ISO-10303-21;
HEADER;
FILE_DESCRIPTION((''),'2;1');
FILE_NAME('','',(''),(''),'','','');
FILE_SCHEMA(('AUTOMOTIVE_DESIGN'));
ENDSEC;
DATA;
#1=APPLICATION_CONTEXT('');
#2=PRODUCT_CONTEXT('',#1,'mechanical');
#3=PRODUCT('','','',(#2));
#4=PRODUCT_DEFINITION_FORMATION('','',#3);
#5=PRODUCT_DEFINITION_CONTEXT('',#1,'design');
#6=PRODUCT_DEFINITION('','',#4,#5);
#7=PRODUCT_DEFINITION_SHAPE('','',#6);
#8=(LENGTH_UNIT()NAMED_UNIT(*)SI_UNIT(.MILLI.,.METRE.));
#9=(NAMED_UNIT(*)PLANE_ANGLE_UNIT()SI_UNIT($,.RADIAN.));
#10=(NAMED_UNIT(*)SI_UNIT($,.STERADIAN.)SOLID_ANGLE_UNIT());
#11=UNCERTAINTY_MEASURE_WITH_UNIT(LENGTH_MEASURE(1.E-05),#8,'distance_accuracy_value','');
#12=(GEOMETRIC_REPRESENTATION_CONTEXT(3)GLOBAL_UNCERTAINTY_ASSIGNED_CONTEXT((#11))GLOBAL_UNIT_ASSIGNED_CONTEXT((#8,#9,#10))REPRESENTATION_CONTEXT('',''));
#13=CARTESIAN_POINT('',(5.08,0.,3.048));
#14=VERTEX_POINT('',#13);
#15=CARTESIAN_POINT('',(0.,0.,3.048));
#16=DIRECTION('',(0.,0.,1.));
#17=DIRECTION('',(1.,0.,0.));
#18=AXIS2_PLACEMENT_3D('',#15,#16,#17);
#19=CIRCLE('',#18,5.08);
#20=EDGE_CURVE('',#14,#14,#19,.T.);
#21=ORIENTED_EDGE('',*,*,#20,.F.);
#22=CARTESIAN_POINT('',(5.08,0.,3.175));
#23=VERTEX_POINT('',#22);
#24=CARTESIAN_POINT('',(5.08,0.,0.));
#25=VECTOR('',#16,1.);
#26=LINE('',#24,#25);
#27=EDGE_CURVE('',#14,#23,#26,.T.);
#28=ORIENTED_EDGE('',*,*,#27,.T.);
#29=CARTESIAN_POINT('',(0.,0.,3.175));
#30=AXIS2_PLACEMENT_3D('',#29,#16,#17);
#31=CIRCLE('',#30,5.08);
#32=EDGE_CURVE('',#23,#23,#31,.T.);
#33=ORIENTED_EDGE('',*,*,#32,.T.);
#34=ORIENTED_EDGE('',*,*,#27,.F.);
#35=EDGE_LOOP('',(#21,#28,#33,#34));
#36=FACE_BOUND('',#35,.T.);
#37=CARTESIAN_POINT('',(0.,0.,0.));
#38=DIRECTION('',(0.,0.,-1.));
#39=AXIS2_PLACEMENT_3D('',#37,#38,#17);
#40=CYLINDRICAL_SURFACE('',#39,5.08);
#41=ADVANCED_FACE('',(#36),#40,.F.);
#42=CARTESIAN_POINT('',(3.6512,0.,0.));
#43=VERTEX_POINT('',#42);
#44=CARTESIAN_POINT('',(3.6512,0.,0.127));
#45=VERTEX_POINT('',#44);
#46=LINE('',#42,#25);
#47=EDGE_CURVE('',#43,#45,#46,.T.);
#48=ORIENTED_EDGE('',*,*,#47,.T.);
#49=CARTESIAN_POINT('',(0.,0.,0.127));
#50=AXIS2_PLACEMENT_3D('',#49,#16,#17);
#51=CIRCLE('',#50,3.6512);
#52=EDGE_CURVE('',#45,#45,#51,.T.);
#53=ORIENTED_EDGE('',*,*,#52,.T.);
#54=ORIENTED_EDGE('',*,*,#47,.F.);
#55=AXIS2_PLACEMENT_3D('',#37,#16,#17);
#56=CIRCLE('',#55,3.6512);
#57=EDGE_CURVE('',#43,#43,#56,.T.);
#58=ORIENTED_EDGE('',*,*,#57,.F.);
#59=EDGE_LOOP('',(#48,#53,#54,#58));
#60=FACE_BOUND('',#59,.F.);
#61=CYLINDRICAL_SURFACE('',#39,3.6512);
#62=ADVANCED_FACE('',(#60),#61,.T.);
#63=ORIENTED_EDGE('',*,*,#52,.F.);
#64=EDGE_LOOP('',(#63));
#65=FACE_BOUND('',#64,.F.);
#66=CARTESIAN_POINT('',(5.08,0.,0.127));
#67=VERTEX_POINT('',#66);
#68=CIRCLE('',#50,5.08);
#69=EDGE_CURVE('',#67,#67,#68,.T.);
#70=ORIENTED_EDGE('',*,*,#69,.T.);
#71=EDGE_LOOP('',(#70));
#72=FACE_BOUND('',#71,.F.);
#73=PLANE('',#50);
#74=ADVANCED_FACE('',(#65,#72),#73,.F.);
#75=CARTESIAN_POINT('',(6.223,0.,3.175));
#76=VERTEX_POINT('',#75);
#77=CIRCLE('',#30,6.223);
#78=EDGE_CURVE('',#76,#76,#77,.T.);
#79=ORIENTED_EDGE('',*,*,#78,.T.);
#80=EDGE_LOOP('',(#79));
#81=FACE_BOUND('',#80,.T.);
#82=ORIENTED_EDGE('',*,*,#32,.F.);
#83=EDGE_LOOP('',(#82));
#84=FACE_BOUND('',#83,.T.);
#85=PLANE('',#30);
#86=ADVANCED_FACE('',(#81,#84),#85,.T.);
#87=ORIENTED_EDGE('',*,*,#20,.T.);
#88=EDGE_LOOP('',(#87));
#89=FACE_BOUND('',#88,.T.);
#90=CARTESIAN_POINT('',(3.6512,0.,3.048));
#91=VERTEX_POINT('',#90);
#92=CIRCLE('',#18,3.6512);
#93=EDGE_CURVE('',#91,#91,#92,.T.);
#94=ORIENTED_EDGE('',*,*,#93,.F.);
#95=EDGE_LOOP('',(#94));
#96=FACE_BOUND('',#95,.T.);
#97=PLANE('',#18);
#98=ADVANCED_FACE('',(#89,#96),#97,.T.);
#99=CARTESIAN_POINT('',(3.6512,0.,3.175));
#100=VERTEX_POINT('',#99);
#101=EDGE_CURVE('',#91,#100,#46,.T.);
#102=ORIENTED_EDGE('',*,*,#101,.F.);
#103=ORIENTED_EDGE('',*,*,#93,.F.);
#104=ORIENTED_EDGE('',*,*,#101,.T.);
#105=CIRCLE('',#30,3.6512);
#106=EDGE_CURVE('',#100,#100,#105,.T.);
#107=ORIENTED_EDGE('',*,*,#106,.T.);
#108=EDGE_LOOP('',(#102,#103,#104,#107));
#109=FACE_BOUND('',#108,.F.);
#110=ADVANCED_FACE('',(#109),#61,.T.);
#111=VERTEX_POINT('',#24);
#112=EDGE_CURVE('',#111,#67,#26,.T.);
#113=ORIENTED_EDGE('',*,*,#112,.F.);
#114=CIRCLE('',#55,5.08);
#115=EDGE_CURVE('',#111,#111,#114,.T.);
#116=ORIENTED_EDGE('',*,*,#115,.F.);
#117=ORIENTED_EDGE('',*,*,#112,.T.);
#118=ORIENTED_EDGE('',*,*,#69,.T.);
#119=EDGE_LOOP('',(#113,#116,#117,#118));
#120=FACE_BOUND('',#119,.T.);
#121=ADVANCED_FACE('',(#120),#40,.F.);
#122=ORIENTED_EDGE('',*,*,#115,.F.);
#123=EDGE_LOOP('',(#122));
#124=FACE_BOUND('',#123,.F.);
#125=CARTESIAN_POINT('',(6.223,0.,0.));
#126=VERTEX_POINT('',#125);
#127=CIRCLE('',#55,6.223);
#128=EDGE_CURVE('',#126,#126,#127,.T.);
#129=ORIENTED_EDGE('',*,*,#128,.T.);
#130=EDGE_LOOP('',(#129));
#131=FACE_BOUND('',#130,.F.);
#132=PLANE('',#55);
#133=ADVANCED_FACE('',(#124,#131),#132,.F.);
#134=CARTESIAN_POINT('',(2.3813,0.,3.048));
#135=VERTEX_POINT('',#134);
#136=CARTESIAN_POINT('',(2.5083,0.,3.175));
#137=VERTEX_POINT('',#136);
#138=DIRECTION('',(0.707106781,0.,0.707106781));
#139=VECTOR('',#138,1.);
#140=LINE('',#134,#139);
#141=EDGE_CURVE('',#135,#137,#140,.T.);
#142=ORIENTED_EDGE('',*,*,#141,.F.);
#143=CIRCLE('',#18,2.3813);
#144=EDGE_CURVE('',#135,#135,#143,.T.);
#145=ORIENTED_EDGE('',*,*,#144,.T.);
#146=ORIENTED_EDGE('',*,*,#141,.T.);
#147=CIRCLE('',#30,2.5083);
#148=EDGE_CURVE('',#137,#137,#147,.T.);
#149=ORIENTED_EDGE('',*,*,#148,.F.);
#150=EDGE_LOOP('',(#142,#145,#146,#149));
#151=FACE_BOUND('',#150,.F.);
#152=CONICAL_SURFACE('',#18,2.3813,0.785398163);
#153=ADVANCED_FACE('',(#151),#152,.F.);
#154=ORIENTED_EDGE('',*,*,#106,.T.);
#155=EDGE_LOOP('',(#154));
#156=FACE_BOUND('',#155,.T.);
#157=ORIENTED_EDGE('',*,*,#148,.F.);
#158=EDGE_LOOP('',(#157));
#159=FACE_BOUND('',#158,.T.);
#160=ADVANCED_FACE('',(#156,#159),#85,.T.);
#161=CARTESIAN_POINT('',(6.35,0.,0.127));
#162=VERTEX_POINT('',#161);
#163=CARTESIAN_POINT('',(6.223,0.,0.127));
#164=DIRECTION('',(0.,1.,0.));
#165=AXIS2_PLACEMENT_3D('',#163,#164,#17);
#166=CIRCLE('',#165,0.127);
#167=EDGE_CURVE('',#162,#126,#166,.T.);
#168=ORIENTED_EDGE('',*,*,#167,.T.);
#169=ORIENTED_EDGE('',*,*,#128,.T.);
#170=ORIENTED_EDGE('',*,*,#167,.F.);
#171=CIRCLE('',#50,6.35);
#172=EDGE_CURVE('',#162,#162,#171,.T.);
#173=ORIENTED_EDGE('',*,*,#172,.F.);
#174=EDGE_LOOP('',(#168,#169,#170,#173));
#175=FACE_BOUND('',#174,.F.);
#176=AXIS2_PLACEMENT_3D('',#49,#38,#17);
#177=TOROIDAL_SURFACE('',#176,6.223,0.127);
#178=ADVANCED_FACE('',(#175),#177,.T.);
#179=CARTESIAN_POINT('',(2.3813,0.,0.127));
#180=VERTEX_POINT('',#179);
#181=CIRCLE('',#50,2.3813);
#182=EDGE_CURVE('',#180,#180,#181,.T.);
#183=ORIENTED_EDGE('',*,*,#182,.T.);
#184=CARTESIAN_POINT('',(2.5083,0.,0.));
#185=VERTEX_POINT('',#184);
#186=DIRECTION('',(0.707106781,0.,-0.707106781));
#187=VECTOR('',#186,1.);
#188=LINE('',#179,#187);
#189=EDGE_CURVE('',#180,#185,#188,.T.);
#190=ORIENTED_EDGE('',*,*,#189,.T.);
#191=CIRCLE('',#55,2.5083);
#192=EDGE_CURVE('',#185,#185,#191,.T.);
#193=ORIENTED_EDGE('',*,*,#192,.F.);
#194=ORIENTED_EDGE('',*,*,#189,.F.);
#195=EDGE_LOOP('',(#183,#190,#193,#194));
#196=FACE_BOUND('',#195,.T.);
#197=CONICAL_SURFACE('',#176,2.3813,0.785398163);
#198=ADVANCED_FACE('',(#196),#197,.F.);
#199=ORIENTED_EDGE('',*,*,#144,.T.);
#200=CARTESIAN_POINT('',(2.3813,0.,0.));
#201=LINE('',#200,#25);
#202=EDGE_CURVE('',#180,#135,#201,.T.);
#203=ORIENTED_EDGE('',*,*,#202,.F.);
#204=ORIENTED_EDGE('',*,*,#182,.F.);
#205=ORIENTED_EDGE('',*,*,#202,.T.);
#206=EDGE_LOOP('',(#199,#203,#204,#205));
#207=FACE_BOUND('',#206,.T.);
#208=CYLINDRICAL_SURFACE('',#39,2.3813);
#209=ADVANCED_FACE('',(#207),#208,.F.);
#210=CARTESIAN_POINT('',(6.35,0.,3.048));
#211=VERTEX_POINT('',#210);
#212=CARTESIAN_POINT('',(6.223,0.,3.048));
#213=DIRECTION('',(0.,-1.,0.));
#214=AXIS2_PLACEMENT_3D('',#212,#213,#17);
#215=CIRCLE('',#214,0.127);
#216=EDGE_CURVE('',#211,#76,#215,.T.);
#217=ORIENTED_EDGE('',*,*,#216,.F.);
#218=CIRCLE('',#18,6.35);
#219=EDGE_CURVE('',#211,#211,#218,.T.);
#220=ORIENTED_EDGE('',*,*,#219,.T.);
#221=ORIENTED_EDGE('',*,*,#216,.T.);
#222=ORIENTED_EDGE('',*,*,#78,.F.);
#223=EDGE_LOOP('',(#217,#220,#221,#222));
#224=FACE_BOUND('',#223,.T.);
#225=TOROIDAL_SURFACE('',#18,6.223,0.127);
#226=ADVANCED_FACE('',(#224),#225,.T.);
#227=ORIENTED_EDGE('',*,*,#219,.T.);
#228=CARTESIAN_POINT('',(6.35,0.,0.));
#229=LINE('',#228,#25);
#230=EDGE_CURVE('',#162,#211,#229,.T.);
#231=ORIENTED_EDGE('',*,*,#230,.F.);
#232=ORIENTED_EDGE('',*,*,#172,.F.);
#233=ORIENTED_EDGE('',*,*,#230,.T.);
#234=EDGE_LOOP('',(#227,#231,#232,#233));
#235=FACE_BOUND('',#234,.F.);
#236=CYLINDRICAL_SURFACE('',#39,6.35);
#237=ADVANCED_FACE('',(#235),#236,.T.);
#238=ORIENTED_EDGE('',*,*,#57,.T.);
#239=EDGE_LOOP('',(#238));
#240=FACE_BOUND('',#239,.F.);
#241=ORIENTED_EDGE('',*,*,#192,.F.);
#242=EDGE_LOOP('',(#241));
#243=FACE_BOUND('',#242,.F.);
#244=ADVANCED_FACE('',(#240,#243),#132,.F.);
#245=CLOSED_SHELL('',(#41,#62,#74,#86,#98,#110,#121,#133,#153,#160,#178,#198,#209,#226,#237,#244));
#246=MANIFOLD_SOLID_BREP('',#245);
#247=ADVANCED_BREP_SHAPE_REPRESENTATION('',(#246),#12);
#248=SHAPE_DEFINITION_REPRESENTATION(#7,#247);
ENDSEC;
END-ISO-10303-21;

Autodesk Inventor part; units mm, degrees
ref_plane "YZ Plane" through (0, 0, 0) normal (1, 0, 0) x (0, 1, 0)
ref_plane "XZ Plane" through (0, 0, 0) normal (0, 1, 0) x (-1, 0, 0)
sketch "Sketch1" plane through (0, 0, 0) normal (0, 0, 1) x (1, 0, 0)
  circle A0 centre (0, 0) radius 2.3813
  circle A1 centre (0, 0) radius 6.35
  circle A2 centre (0, 0) radius 3.6512
  circle A3 centre (0, 0) radius 5.08
  dimension "d0" = 4.7625
  dimension "d1" = 12.7
  dimension "d2" = 1.27
  dimension "d3" = 1.27
extrude "Extrusion1" add sketch "Sketch1" along normal blind 3.175
fillet "Fillet1" radius 0.127 2 edges at (-6.35, 0, 3.175) (-6.35, 0, 0)
chamfer "Chamfer1" distance 0.127 angle 45 2 edges at (-2.3813, 0, 3.175) (-2.3813, 0, 0)
ref_plane "Work Plane1" through (0, 0, 1.5875) normal (0, 0, 1) x (1, 0, 0)
sketch "Sketch2" plane through (0, 0, 1.5875) normal (0, 0, 1) x (1, 0, 0)
  circle A0 centre (0, 0) radius 2.3813 projected
  circle A1 centre (0, 0) radius 3.6512 projected
  circle A2 centre (0, 0) radius 6.35 projected
  circle A3 centre (0, 0) radius 5.08 projected
extrude "Extrusion2" add sketch "Sketch2" along normal mid plane 2.921 contours A3
properties part number "Rear Hub Bearing"
